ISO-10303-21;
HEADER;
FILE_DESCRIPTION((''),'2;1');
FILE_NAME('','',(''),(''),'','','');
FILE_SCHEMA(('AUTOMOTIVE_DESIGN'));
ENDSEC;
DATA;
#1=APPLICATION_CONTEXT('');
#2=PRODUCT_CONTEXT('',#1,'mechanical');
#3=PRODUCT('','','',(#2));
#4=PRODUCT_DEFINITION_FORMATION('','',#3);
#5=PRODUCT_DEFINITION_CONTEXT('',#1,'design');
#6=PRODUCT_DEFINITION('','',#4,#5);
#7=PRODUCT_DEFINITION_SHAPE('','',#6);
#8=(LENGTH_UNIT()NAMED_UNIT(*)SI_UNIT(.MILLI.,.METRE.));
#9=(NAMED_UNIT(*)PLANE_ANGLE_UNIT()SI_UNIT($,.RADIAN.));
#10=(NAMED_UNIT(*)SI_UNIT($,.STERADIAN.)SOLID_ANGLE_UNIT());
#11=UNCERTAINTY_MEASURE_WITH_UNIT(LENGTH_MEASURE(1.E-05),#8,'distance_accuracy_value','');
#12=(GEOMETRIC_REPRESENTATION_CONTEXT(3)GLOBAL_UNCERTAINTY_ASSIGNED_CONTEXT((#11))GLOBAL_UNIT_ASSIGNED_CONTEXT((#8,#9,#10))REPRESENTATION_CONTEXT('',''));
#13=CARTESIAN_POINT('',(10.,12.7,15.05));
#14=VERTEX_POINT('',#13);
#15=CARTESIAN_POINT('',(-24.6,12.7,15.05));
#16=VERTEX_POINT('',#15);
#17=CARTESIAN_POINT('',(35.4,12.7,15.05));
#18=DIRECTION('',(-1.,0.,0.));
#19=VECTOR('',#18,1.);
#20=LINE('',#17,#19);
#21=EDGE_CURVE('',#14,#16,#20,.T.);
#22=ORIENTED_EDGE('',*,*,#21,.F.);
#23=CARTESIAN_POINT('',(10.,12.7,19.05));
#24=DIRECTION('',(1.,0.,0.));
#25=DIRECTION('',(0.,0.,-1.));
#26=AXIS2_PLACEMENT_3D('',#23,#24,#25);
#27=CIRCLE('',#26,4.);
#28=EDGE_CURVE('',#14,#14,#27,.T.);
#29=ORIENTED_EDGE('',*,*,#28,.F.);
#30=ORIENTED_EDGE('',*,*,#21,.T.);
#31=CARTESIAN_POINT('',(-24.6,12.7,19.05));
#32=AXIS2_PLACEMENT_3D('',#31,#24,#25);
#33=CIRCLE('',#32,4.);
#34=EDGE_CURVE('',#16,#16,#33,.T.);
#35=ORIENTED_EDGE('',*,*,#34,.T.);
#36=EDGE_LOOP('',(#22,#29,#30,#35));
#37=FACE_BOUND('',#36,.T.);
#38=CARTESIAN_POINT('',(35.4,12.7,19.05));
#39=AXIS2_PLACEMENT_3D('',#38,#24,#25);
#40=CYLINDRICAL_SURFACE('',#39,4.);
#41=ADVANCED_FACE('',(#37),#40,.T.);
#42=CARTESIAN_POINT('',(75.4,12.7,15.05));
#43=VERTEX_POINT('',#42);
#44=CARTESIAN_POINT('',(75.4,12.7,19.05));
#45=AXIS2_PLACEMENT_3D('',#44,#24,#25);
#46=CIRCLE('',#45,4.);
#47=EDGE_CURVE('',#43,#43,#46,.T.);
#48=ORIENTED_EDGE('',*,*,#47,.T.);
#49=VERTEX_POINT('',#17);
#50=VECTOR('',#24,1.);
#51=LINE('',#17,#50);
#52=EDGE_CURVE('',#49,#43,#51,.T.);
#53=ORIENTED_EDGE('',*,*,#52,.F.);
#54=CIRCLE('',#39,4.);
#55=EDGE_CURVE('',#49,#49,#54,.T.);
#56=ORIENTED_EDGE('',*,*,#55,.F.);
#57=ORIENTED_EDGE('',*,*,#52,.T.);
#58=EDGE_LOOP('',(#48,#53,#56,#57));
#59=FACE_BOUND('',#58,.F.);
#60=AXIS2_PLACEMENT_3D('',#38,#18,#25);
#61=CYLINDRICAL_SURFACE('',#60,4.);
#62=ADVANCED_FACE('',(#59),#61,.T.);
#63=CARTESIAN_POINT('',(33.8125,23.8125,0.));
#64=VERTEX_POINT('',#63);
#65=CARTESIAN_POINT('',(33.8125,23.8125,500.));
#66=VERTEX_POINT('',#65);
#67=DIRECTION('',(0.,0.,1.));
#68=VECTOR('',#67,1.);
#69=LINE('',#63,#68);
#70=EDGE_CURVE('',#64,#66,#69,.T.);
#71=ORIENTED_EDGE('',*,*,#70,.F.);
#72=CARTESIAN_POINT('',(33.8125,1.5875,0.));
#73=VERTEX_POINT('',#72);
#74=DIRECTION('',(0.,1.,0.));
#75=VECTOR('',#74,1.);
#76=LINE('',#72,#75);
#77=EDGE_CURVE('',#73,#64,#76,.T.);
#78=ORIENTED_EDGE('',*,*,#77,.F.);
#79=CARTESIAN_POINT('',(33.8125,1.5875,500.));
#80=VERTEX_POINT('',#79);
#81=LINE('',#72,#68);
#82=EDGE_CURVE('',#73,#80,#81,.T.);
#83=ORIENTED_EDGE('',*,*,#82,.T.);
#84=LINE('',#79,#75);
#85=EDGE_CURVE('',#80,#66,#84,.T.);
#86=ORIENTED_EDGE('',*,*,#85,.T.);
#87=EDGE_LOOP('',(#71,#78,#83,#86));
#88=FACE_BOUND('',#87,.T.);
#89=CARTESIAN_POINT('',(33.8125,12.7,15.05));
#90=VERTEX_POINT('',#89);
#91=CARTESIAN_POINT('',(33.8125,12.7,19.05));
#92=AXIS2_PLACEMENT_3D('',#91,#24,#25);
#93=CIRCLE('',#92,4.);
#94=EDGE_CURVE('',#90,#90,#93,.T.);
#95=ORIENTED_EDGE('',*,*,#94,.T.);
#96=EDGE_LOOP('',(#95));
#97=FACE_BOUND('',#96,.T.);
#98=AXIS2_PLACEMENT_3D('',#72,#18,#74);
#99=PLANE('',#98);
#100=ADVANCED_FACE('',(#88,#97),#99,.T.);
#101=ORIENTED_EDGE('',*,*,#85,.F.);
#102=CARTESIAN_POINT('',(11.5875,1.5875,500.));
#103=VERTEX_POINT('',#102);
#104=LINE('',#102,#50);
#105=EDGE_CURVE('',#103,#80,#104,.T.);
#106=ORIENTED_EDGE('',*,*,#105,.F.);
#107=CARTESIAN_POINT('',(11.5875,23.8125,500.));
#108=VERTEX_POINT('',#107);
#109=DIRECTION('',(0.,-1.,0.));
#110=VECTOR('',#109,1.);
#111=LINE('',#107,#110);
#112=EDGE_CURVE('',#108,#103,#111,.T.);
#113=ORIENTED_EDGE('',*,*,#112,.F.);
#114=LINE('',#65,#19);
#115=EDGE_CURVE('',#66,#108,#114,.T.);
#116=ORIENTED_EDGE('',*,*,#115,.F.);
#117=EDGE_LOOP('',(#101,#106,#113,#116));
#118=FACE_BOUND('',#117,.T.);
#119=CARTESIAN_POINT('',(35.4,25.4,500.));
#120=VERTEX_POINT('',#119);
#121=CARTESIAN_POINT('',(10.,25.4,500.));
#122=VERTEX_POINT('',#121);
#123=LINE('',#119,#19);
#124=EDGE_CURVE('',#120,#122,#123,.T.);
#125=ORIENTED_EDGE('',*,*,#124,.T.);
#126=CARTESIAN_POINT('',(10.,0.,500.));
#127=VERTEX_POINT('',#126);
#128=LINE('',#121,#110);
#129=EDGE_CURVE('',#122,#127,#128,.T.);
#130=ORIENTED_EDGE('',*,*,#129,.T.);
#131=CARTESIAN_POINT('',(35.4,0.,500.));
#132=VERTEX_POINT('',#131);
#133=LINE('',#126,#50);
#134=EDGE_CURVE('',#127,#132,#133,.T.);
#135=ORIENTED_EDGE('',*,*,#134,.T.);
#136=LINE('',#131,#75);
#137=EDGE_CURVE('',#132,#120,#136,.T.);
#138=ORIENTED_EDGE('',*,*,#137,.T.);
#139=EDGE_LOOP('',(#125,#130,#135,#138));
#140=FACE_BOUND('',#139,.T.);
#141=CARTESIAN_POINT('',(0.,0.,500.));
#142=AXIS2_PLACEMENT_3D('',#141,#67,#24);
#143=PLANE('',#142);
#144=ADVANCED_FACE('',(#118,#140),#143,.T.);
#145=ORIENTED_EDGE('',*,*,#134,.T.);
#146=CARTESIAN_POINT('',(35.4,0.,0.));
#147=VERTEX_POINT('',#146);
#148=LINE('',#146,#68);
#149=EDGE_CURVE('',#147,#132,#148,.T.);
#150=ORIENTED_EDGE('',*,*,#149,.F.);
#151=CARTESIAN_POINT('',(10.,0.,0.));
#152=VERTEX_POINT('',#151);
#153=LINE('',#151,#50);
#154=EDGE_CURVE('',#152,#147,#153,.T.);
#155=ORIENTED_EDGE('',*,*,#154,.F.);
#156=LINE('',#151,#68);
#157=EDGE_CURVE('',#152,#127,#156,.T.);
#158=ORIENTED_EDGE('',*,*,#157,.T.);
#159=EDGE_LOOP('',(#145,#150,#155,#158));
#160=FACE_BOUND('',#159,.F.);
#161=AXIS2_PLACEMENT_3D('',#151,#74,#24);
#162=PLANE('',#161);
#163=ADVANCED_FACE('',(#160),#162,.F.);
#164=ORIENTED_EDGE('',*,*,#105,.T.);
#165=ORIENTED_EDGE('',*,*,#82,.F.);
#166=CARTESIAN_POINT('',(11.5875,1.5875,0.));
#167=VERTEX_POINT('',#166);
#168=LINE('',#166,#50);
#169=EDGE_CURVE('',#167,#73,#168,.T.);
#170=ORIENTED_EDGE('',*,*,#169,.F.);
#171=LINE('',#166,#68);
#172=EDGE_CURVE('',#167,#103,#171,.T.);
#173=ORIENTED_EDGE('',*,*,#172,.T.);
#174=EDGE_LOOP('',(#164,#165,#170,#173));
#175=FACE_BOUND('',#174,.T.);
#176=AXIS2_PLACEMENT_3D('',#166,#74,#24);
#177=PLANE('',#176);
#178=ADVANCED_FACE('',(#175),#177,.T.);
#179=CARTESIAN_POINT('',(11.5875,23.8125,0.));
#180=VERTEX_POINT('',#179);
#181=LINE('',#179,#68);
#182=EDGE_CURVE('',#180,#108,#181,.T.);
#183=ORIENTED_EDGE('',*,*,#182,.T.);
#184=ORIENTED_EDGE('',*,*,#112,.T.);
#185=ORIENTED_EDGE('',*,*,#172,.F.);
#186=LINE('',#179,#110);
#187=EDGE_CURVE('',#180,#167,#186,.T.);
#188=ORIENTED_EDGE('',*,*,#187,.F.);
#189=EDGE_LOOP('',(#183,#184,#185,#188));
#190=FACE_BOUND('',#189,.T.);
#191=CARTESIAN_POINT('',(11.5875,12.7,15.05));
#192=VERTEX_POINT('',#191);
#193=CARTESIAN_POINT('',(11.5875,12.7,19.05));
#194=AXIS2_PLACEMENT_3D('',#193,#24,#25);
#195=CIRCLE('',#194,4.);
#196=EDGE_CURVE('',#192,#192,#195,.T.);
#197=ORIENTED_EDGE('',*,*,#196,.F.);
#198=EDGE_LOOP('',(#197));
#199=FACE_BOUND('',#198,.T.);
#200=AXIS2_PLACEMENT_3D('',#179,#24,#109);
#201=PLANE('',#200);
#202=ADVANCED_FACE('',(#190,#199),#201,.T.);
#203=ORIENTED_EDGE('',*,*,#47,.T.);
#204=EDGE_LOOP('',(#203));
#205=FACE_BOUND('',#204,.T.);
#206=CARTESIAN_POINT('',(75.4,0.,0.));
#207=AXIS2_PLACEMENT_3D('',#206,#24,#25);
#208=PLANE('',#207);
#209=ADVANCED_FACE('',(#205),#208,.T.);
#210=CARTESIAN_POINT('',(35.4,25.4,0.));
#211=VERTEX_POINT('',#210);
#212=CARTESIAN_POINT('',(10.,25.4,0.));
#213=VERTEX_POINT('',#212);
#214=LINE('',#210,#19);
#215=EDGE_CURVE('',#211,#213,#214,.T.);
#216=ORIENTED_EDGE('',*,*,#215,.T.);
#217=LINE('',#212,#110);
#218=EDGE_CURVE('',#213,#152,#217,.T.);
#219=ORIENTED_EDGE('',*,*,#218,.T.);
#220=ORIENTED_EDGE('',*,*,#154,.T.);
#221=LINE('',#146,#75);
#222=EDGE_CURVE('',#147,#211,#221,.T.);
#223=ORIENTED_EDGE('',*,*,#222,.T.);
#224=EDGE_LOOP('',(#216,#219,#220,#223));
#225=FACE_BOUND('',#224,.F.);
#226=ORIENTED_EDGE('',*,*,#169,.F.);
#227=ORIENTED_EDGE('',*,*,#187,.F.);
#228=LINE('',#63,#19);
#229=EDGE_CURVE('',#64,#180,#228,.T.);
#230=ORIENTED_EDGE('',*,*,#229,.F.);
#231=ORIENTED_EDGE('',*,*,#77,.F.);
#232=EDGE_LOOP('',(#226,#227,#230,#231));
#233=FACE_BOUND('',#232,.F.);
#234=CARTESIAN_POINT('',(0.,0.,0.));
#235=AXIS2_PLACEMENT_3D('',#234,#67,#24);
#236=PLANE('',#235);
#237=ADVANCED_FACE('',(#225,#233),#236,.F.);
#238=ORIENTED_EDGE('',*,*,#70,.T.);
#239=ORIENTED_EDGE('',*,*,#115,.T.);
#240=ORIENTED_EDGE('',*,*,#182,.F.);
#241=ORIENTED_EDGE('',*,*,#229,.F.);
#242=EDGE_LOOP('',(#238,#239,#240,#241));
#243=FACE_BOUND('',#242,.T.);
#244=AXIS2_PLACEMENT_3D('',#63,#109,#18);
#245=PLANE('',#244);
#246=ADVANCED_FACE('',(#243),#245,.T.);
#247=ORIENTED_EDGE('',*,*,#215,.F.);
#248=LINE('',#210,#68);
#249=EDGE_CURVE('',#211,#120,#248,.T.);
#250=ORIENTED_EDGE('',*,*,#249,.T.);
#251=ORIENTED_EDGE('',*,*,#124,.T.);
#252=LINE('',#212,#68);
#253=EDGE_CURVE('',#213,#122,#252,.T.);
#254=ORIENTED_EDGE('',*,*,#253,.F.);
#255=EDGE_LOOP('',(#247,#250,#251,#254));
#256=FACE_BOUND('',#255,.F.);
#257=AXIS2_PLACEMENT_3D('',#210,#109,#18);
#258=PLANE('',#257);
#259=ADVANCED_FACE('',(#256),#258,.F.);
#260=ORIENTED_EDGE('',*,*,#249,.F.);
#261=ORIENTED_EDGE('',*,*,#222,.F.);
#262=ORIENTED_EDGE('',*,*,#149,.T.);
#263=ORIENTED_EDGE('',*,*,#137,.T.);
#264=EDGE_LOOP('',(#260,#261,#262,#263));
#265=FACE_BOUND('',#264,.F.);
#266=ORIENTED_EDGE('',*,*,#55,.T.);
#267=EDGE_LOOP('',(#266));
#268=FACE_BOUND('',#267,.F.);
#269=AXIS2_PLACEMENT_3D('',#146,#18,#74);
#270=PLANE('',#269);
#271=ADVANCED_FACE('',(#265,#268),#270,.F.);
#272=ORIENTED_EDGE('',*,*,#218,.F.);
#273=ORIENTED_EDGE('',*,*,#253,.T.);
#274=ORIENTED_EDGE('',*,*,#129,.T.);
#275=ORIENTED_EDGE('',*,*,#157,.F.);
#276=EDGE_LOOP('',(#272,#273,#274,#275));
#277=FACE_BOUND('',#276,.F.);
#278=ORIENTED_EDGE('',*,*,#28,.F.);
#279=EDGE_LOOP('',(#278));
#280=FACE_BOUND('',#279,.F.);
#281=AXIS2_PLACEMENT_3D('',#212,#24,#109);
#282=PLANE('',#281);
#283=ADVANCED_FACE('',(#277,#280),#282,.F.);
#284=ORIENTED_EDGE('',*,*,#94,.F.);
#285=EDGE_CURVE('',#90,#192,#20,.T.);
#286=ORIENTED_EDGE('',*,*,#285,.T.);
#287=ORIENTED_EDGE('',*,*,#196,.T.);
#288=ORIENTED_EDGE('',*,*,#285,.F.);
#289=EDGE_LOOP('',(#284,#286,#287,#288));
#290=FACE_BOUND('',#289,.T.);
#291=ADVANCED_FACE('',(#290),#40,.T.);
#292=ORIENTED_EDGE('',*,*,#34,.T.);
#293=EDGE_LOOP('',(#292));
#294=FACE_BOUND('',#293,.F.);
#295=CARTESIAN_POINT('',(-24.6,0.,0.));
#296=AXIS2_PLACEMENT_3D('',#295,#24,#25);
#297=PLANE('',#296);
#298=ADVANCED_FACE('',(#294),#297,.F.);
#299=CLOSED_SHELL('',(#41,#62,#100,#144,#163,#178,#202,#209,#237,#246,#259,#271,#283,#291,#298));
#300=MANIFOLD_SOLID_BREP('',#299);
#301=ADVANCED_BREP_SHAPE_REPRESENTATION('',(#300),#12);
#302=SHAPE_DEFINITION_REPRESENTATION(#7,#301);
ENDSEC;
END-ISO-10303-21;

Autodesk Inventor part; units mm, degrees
ref_plane "YZ Plane" through (0, 0, 0) normal (1, 0, 0) x (0, 1, 0)
ref_plane "XZ Plane" through (0, 0, 0) normal (0, 1, 0) x (-1, 0, 0)
ref_plane "XY Plane" through (0, 0, 0) normal (0, 0, 1) x (1, 0, 0)
sketch "Sketch1" plane through (0, 0, 0) normal (0, 0, 1) x (1, 0, 0)
  line L0 (93.1, 0) -> (67.7, 0) projected
  line L1 (93.1, 0) -> (67.7, 0) projected
  line L2 (10, 0) -> (35.4, 0)
  line L3 (35.4, 0) -> (35.4, 25.4)
  line L4 (35.4, 25.4) -> (10, 25.4)
  line L5 (10, 25.4) -> (10, 0)
  line L6 (11.5875, 1.5875) -> (33.8125, 1.5875)
  line L7 (33.8125, 1.5875) -> (33.8125, 23.8125)
  line L8 (33.8125, 23.8125) -> (11.5875, 23.8125)
  line L9 (11.5875, 23.8125) -> (11.5875, 1.5875)
  line L10 (67.7, 25.4) -> (67.7, 0) projected
  line L11 (93.1, 0) -> (93.1, 25.4) projected
  line L12 (93.1, 25.4) -> (67.7, 25.4) projected
  line L13 (67.7, 25.4) -> (67.7, 0) projected
  line L14 (93.1, 0) -> (93.1, 25.4) projected
  line L15 (93.1, 25.4) -> (67.7, 25.4) projected
  point P0 (0, 0)
  dimension "d0" = 22.225
  dimension "d1" = 22.225
  dimension "d3" = 1.5875
extrude "Extrusion1" add sketch "Sketch1" along normal blind 500 contours L5 L4 L3 L2
sketch "Sketch2" plane through (35.4, 0, 0) normal (1, 0, 0) x (0, 0, -1)
  circle A0 centre (-19.05, 12.7) radius 4
  line L0 (0, 25.4) -> (-500, 25.4) projected
  line L1 (0, 0) -> (0, 25.4) projected
  dimension "d10" = 8
  dimension "d11" = 12.7
  dimension "d12" = 19.05
extrude "Extrusion2" add sketch "Sketch2" along normal blind 40 and the other way blind 60
properties part number "VerticalBar"
